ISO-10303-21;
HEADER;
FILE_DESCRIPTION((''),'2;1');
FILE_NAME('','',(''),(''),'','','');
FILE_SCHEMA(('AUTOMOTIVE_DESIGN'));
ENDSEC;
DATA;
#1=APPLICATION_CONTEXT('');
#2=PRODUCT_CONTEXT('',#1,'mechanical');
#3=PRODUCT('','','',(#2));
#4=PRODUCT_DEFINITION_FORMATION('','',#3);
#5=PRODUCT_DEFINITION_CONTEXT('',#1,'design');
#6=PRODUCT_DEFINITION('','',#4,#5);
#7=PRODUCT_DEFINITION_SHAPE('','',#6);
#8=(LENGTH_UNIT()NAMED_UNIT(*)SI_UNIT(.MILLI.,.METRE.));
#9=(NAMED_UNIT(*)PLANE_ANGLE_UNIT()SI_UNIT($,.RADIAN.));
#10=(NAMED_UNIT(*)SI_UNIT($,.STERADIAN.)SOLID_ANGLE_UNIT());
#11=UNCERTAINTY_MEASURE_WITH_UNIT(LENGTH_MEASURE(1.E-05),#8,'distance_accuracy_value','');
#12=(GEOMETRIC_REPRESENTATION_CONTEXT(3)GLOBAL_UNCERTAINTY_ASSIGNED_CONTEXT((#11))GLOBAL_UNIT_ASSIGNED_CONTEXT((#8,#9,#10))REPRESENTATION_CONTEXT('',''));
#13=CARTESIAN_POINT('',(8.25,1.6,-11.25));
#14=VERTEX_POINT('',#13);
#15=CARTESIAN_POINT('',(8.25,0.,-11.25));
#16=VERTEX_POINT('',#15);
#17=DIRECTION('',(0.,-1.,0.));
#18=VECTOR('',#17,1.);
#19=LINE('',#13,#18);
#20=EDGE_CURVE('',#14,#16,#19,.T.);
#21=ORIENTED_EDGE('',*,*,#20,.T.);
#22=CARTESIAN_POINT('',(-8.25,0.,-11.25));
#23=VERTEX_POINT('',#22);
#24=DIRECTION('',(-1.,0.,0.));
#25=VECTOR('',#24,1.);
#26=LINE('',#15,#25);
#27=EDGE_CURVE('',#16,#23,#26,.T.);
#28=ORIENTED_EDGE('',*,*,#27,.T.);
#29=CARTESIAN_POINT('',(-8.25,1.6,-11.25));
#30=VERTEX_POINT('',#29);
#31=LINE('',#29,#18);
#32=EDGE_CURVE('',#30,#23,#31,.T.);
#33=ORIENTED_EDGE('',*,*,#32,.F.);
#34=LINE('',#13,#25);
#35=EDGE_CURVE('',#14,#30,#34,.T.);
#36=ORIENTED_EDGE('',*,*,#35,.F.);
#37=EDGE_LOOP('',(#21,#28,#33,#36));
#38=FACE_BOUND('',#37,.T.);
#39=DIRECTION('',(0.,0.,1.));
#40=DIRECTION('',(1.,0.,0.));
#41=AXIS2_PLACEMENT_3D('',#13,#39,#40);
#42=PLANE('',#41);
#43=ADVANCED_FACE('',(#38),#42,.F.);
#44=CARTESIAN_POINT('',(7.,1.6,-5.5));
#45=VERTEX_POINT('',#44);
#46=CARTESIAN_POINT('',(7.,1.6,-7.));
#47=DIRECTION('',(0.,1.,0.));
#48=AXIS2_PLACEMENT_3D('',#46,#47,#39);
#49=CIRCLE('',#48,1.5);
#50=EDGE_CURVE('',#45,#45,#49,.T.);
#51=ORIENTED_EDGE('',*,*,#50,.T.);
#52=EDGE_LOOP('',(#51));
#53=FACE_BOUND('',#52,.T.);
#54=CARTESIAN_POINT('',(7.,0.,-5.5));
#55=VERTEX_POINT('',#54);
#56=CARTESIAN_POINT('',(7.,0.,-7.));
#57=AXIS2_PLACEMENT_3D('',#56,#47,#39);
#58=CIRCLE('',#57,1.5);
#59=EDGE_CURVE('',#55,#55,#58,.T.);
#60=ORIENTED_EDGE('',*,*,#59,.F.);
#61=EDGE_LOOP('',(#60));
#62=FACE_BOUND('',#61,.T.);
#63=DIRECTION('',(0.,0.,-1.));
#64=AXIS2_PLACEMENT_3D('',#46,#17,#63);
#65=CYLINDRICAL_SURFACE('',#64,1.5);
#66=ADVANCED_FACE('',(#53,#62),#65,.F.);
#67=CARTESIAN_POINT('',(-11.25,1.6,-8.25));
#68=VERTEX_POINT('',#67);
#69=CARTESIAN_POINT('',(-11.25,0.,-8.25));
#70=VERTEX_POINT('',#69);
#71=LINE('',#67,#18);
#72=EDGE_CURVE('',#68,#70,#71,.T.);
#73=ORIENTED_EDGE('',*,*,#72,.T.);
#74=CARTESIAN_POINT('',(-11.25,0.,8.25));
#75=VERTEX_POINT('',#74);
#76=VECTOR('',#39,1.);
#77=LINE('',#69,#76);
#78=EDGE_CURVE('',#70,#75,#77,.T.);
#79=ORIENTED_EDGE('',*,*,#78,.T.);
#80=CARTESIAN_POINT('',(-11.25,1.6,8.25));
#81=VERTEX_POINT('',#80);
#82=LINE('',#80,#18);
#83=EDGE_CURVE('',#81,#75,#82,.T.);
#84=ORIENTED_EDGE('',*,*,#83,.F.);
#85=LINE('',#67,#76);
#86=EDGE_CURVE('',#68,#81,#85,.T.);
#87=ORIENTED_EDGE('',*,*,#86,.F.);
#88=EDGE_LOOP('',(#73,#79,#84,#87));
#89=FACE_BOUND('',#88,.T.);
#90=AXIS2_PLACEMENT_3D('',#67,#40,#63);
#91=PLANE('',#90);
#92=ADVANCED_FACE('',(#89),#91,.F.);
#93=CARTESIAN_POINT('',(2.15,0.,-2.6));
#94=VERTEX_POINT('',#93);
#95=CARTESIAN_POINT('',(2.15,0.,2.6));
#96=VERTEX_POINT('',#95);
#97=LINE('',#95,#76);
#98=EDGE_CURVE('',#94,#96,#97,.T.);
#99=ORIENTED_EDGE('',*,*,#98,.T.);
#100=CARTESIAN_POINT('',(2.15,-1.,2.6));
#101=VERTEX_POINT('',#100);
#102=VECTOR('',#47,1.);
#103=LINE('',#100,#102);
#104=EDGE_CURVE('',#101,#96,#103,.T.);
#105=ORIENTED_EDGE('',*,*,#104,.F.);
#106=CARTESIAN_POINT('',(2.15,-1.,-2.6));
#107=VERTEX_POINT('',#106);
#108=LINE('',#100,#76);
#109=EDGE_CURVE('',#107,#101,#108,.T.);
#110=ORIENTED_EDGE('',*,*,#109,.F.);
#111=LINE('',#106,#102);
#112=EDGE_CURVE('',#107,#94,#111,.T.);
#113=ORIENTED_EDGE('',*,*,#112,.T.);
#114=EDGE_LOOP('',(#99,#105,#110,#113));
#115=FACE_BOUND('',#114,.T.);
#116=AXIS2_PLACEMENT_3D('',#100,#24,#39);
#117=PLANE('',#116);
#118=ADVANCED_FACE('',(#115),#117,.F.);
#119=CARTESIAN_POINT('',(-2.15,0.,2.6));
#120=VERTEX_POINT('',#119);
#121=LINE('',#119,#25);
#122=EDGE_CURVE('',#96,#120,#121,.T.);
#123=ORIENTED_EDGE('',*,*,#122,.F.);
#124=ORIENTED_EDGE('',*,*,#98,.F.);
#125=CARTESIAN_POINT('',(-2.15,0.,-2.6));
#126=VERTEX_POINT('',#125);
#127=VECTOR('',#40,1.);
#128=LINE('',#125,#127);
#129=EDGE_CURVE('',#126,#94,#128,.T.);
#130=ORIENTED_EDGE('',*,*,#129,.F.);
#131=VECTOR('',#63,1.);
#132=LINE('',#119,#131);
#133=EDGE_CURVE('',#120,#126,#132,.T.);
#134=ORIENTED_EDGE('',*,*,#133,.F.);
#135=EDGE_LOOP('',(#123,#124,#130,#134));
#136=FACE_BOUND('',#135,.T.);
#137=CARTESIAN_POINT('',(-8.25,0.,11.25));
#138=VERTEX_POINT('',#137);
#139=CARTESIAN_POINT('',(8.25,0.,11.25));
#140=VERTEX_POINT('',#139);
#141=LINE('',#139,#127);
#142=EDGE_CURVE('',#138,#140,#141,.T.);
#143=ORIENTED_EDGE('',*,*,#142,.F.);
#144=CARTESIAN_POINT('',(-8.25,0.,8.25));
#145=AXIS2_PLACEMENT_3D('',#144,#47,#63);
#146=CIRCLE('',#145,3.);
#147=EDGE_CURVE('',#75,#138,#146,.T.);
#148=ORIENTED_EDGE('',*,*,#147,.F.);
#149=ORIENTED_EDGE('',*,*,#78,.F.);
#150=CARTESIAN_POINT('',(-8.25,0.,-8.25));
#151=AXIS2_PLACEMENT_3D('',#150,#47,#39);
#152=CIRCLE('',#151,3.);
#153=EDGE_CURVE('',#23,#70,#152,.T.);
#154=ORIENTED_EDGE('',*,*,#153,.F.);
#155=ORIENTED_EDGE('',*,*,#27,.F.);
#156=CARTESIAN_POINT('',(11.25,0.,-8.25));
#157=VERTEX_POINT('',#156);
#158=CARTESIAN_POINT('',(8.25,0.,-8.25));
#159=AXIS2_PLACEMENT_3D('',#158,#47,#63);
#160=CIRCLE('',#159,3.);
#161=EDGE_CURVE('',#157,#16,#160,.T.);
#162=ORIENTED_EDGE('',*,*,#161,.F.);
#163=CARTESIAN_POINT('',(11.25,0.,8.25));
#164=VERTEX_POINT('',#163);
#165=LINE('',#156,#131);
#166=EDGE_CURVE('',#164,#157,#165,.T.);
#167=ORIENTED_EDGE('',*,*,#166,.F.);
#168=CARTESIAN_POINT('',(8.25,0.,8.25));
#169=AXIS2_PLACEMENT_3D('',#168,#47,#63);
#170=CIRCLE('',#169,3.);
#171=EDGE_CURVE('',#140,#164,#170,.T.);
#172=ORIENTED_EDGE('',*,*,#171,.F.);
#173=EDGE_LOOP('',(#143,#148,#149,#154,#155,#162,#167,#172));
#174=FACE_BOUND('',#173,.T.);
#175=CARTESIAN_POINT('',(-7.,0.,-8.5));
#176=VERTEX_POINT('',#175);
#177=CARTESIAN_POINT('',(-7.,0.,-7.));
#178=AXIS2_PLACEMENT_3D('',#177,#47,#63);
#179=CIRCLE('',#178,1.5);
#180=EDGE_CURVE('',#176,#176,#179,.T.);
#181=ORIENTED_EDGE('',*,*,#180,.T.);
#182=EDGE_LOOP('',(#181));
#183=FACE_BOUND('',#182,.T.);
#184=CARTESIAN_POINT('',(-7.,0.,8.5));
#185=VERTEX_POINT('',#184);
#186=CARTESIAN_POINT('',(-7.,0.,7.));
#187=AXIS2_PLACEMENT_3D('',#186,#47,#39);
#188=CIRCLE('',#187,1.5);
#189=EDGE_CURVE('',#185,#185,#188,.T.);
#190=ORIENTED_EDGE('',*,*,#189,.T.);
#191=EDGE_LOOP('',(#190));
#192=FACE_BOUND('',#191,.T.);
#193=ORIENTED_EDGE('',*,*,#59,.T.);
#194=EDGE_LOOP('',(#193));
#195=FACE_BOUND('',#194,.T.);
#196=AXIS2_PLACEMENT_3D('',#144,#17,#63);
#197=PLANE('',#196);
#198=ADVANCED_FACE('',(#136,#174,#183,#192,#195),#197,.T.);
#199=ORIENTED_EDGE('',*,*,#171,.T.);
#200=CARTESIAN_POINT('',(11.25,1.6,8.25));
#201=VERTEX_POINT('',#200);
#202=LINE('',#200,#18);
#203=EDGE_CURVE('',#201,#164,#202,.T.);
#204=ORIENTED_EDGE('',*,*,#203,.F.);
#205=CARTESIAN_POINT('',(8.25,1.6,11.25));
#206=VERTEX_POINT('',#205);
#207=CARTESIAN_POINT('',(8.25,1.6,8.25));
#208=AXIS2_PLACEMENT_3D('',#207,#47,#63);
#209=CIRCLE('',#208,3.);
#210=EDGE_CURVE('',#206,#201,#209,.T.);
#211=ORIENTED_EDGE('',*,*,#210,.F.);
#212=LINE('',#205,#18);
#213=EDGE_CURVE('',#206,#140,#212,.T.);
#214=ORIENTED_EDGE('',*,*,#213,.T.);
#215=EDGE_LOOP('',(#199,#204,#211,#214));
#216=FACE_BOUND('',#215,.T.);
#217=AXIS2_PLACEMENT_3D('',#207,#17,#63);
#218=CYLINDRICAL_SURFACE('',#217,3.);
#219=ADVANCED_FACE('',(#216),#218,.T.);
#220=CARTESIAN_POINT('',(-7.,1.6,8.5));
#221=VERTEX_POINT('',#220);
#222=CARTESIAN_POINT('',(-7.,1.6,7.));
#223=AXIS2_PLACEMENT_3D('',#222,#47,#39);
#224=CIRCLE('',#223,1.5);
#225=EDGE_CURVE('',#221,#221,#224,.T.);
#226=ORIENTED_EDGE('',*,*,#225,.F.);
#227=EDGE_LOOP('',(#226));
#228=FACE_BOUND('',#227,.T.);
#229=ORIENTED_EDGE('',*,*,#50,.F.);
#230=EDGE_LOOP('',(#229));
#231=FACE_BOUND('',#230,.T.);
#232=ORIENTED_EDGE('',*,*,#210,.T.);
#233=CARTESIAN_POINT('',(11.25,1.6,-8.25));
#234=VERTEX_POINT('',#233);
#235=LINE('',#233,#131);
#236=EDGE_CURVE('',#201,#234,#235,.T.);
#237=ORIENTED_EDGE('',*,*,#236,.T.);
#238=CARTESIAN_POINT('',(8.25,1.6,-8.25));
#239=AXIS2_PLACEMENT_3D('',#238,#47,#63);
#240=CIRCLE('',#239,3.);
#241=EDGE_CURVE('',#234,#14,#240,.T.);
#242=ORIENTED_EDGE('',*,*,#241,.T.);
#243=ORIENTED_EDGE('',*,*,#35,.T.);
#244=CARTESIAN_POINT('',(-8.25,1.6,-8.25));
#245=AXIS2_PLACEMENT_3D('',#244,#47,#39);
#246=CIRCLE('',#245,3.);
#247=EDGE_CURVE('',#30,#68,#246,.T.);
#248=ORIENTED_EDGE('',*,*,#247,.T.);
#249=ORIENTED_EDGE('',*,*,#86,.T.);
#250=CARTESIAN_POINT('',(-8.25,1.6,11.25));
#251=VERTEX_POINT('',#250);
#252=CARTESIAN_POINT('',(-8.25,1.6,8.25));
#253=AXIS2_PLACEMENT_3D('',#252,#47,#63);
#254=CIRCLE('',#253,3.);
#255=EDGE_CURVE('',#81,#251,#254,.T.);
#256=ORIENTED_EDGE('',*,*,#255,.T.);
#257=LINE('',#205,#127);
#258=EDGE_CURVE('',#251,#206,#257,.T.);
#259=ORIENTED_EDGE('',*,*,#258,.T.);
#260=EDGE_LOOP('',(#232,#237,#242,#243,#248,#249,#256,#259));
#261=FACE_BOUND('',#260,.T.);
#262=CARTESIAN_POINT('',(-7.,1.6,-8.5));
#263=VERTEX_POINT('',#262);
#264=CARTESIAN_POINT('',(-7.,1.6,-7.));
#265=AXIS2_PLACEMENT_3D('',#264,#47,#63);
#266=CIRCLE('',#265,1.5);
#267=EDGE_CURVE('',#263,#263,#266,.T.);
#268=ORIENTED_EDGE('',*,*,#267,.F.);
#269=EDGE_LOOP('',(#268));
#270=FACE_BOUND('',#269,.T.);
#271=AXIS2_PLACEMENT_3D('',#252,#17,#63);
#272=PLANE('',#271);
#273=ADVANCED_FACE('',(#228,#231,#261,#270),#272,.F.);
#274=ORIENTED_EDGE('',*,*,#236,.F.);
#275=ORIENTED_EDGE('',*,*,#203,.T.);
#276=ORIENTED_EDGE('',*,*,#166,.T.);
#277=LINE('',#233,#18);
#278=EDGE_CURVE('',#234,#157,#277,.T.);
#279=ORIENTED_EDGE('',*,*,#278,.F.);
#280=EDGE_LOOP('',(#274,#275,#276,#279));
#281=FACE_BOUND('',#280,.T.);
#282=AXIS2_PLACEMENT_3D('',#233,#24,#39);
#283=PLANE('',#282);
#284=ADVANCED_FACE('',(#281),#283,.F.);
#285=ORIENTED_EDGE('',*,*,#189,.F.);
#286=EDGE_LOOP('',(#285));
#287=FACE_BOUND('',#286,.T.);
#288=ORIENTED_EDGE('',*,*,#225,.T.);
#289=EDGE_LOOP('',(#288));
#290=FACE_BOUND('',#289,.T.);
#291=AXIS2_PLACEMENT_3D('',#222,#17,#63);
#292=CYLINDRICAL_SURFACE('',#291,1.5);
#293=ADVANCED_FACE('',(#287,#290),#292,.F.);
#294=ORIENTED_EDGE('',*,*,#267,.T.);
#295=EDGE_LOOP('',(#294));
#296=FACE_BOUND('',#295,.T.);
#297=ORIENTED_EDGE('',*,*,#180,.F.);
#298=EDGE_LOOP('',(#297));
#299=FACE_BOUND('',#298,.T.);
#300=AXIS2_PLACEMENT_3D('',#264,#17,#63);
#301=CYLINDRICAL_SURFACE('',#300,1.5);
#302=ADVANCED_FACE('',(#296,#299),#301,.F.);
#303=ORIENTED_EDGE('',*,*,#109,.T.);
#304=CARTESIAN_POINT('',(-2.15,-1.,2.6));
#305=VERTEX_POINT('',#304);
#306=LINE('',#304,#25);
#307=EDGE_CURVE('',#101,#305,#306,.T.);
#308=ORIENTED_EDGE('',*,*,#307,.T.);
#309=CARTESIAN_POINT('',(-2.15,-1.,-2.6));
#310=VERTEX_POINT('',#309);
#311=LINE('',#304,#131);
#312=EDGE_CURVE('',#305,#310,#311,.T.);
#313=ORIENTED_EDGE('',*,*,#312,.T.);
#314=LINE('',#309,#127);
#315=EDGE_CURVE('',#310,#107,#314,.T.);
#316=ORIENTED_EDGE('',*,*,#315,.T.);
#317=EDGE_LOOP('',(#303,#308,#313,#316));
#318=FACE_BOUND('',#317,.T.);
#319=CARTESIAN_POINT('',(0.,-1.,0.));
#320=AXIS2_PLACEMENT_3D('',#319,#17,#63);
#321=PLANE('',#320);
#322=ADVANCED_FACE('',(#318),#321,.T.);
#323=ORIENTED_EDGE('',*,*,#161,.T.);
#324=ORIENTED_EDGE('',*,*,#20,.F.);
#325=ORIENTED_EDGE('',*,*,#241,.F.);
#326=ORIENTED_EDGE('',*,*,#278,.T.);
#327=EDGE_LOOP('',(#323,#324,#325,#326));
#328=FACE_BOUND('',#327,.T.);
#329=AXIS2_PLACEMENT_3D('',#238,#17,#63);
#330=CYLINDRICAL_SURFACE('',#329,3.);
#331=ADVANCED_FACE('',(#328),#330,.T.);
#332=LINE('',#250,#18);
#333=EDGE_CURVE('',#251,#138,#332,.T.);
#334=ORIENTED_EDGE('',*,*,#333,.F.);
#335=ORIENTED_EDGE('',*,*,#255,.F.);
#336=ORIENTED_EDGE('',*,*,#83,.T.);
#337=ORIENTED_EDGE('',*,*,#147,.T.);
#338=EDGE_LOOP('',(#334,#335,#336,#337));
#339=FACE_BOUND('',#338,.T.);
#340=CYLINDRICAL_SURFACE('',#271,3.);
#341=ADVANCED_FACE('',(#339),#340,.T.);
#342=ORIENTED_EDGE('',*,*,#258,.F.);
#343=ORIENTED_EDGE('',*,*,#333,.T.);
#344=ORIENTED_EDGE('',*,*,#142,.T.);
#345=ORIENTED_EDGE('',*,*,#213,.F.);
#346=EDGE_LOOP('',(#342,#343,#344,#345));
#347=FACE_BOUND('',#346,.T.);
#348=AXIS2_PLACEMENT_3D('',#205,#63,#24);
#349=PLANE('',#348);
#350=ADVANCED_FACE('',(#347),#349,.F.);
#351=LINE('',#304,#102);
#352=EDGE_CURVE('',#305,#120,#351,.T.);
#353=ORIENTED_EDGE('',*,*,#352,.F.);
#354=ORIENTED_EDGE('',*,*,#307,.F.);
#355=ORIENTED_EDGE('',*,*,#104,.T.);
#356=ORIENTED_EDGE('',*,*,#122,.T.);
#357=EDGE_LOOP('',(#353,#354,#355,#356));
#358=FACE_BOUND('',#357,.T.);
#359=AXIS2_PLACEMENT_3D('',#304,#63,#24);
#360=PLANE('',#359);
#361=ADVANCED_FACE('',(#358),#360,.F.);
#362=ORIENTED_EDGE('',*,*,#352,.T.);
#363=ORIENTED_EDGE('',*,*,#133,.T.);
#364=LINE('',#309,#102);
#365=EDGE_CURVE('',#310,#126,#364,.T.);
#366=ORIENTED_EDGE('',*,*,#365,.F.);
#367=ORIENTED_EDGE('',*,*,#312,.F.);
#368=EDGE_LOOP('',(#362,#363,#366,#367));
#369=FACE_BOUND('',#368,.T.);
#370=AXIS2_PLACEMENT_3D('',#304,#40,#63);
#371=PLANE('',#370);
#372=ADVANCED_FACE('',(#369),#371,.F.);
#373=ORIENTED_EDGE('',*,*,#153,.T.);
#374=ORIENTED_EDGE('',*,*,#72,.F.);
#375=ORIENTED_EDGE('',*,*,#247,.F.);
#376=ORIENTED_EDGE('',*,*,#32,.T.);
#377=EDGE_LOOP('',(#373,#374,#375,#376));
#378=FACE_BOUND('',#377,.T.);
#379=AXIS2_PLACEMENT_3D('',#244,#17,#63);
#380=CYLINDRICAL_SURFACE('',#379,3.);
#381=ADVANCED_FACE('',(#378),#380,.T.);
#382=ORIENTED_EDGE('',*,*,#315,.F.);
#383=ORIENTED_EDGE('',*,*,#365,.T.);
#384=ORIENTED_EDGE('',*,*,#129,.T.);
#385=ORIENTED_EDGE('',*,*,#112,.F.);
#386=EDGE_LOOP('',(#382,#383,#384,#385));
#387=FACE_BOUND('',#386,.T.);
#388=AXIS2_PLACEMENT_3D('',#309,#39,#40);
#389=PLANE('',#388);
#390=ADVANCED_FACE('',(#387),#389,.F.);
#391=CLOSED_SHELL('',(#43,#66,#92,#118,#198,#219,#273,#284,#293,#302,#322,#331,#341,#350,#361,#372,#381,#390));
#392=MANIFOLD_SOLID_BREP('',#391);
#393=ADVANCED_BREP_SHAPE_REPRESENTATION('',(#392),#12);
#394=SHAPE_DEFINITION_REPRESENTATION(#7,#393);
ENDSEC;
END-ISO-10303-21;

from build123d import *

# Parameters (mm, degrees)
SKETCH1_R           = 1.5
BOSS_EXTRUDE1_DEPTH = 1.6
SKETCH2_W           = 4.3
SKETCH2_H           = 5.2
BOSS_EXTRUDE2_DEPTH = 1


with BuildPart() as part:
    # Sketch1 → Boss-Extrude1 (new body)
    with BuildSketch(Plane(origin=(0, 0, 0), x_dir=(1, 0, 0), z_dir=(0, 1, 0))):
        with BuildLine():
            Line((8.25, 11.25), (-8.25, 11.25))
            ThreePointArc((-8.25, 11.25), (-10.371320344, 10.371320344), (-11.25, 8.25))
            Line((-11.25, 8.25), (-11.25, -8.25))
            ThreePointArc((-11.25, -8.25), (-10.371320344, -10.371320344), (-8.25, -11.25))
            Line((-8.25, -11.25), (8.25, -11.25))
            ThreePointArc((8.25, -11.25), (10.371320344, -10.371320344), (11.25, -8.25))
            Line((11.25, -8.25), (11.25, 8.25))
            ThreePointArc((11.25, 8.25), (10.371320344, 10.371320344), (8.25, 11.25))
        make_face()
        with Locations(Location((7, 7, 0), (0, 0, 270))):
            Circle(SKETCH1_R, mode=Mode.SUBTRACT)
        with Locations(Location((-7, 7, 0), (0, 0, 90))):
            Circle(SKETCH1_R, mode=Mode.SUBTRACT)
        with Locations(Location((-7, -7, 0), (0, 0, 270))):
            Circle(SKETCH1_R, mode=Mode.SUBTRACT)
    extrude(amount=BOSS_EXTRUDE1_DEPTH)

    # Sketch2 → Boss-Extrude2 (add)
    with BuildSketch(Plane.XZ):
        Rectangle(SKETCH2_W, SKETCH2_H)
    extrude(amount=BOSS_EXTRUDE2_DEPTH)


solid = part.part
